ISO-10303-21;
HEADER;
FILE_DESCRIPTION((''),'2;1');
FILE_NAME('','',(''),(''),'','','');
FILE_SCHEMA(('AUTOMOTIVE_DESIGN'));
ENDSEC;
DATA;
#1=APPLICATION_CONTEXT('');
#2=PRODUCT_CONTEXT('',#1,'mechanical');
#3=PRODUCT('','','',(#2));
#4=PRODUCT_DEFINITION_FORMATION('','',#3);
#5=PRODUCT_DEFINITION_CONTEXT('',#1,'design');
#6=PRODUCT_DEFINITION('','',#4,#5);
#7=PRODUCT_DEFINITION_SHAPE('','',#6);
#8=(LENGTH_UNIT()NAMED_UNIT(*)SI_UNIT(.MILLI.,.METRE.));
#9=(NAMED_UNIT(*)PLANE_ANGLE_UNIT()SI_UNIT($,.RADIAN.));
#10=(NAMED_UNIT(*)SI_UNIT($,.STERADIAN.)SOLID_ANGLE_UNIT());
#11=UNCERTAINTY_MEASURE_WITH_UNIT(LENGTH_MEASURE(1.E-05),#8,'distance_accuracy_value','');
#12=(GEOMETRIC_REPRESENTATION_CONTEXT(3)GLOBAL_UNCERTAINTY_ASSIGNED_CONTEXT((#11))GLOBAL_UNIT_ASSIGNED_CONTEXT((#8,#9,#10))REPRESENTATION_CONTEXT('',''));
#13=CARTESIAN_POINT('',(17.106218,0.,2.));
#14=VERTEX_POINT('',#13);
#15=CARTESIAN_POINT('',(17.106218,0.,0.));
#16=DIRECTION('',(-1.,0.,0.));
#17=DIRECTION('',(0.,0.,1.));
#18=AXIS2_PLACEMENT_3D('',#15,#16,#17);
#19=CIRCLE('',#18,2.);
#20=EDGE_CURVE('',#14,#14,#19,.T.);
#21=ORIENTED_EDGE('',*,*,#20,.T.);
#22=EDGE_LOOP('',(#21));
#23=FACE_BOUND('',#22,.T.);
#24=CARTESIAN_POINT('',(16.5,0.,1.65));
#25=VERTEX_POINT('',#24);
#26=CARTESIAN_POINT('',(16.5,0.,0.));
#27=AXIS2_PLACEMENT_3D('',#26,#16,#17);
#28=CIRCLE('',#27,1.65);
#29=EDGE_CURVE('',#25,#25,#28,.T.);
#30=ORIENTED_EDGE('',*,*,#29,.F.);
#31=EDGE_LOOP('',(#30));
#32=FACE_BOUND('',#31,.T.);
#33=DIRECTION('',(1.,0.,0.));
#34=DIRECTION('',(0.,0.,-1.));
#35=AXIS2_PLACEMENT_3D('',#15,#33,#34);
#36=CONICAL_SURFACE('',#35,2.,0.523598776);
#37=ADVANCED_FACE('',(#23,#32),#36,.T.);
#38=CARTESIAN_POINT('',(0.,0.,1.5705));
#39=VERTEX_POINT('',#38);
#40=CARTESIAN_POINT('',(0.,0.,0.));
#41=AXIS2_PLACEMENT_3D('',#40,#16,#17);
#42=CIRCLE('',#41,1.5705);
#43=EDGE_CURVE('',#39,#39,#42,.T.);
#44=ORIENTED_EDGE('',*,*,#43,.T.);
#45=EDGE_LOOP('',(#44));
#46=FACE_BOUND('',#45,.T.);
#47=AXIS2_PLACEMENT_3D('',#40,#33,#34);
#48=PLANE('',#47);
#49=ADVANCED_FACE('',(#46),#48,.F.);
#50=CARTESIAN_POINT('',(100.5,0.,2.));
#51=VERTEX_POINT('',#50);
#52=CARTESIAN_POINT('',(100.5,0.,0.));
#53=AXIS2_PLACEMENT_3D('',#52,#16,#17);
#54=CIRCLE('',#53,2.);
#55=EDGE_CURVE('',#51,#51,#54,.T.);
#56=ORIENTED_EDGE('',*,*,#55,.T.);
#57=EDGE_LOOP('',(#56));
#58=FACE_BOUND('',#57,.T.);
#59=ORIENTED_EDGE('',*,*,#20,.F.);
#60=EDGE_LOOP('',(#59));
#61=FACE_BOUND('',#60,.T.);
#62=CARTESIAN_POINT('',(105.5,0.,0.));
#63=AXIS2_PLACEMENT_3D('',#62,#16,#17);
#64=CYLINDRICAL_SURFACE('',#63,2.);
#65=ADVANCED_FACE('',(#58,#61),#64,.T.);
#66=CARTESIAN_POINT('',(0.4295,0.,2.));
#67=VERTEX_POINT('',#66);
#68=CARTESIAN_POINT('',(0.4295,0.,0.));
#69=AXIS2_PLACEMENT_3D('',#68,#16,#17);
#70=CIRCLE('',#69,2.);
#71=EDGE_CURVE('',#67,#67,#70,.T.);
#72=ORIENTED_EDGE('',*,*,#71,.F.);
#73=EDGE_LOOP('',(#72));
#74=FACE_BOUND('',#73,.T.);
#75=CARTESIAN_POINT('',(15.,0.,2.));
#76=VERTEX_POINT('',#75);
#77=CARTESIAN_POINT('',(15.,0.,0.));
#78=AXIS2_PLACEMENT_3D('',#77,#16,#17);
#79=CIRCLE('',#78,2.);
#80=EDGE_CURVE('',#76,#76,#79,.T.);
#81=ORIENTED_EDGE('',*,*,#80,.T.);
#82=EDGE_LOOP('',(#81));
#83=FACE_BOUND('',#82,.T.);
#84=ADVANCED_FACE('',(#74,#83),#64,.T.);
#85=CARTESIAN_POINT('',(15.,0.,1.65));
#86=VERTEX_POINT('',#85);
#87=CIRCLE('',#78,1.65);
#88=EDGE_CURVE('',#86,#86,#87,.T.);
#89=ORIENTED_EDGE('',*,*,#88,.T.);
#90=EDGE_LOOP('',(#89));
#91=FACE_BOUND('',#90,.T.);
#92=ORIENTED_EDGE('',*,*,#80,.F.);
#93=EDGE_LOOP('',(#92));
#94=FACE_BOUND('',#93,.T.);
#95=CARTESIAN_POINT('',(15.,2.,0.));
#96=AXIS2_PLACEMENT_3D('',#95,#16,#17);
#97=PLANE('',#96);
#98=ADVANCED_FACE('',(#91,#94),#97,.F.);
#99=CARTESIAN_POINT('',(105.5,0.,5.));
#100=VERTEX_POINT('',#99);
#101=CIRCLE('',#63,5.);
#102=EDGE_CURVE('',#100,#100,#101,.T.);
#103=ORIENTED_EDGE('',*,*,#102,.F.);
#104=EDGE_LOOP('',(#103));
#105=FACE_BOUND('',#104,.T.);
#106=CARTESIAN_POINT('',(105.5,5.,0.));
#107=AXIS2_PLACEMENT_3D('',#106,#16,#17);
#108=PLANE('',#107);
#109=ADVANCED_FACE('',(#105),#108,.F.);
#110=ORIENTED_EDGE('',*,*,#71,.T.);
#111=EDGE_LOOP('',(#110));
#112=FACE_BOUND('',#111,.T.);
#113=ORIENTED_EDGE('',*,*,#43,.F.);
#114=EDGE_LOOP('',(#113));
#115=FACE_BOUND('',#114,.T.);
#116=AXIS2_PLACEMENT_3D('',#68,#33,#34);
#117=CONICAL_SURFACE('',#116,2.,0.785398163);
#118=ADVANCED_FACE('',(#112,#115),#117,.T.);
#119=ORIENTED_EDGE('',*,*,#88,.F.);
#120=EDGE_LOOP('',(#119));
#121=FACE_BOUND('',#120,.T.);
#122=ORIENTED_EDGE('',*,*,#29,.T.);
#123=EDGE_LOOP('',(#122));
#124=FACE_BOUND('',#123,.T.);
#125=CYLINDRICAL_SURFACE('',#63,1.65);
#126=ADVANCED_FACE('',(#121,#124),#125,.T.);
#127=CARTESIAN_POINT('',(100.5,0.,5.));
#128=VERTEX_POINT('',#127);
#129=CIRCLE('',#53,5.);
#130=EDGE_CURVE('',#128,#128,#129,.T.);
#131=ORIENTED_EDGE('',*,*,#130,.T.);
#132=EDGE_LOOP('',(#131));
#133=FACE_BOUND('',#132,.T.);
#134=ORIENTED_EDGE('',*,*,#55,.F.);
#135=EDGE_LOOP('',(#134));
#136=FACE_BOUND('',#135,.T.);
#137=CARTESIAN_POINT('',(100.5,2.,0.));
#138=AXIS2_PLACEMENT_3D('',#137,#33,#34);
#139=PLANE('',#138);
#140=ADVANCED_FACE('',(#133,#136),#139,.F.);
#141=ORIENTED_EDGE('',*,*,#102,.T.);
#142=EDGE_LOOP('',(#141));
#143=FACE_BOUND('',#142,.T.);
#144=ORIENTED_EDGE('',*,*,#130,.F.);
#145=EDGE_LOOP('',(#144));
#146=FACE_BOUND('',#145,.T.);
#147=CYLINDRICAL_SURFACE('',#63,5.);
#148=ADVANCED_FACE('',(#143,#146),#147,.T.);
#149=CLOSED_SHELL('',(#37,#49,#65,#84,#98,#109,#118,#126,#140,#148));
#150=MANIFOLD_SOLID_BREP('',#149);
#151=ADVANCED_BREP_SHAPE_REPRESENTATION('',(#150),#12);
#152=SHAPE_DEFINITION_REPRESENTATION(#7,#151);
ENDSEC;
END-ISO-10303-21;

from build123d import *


with BuildPart() as part:
    # 草图1 → 旋转1 (revolve)
    with BuildSketch(Plane.XY, mode=Mode.PRIVATE) as revolve_1_sk:
        Polygon((0, 0), (0, 1.5705), (0.4295, 2), (15, 2), (15, 1.65), (16.5, 1.65), (17.106217783, 2), (100.5, 2), (100.5, 5), (105.5, 5), (105.5, 0), align=None)
    revolve(revolve_1_sk.sketch.rotate(Axis((105.5, 0, 0), (-1, 0, 0)), 270), axis=Axis((105.5, 0, 0), (-1, 0, 0)))


solid = part.part
